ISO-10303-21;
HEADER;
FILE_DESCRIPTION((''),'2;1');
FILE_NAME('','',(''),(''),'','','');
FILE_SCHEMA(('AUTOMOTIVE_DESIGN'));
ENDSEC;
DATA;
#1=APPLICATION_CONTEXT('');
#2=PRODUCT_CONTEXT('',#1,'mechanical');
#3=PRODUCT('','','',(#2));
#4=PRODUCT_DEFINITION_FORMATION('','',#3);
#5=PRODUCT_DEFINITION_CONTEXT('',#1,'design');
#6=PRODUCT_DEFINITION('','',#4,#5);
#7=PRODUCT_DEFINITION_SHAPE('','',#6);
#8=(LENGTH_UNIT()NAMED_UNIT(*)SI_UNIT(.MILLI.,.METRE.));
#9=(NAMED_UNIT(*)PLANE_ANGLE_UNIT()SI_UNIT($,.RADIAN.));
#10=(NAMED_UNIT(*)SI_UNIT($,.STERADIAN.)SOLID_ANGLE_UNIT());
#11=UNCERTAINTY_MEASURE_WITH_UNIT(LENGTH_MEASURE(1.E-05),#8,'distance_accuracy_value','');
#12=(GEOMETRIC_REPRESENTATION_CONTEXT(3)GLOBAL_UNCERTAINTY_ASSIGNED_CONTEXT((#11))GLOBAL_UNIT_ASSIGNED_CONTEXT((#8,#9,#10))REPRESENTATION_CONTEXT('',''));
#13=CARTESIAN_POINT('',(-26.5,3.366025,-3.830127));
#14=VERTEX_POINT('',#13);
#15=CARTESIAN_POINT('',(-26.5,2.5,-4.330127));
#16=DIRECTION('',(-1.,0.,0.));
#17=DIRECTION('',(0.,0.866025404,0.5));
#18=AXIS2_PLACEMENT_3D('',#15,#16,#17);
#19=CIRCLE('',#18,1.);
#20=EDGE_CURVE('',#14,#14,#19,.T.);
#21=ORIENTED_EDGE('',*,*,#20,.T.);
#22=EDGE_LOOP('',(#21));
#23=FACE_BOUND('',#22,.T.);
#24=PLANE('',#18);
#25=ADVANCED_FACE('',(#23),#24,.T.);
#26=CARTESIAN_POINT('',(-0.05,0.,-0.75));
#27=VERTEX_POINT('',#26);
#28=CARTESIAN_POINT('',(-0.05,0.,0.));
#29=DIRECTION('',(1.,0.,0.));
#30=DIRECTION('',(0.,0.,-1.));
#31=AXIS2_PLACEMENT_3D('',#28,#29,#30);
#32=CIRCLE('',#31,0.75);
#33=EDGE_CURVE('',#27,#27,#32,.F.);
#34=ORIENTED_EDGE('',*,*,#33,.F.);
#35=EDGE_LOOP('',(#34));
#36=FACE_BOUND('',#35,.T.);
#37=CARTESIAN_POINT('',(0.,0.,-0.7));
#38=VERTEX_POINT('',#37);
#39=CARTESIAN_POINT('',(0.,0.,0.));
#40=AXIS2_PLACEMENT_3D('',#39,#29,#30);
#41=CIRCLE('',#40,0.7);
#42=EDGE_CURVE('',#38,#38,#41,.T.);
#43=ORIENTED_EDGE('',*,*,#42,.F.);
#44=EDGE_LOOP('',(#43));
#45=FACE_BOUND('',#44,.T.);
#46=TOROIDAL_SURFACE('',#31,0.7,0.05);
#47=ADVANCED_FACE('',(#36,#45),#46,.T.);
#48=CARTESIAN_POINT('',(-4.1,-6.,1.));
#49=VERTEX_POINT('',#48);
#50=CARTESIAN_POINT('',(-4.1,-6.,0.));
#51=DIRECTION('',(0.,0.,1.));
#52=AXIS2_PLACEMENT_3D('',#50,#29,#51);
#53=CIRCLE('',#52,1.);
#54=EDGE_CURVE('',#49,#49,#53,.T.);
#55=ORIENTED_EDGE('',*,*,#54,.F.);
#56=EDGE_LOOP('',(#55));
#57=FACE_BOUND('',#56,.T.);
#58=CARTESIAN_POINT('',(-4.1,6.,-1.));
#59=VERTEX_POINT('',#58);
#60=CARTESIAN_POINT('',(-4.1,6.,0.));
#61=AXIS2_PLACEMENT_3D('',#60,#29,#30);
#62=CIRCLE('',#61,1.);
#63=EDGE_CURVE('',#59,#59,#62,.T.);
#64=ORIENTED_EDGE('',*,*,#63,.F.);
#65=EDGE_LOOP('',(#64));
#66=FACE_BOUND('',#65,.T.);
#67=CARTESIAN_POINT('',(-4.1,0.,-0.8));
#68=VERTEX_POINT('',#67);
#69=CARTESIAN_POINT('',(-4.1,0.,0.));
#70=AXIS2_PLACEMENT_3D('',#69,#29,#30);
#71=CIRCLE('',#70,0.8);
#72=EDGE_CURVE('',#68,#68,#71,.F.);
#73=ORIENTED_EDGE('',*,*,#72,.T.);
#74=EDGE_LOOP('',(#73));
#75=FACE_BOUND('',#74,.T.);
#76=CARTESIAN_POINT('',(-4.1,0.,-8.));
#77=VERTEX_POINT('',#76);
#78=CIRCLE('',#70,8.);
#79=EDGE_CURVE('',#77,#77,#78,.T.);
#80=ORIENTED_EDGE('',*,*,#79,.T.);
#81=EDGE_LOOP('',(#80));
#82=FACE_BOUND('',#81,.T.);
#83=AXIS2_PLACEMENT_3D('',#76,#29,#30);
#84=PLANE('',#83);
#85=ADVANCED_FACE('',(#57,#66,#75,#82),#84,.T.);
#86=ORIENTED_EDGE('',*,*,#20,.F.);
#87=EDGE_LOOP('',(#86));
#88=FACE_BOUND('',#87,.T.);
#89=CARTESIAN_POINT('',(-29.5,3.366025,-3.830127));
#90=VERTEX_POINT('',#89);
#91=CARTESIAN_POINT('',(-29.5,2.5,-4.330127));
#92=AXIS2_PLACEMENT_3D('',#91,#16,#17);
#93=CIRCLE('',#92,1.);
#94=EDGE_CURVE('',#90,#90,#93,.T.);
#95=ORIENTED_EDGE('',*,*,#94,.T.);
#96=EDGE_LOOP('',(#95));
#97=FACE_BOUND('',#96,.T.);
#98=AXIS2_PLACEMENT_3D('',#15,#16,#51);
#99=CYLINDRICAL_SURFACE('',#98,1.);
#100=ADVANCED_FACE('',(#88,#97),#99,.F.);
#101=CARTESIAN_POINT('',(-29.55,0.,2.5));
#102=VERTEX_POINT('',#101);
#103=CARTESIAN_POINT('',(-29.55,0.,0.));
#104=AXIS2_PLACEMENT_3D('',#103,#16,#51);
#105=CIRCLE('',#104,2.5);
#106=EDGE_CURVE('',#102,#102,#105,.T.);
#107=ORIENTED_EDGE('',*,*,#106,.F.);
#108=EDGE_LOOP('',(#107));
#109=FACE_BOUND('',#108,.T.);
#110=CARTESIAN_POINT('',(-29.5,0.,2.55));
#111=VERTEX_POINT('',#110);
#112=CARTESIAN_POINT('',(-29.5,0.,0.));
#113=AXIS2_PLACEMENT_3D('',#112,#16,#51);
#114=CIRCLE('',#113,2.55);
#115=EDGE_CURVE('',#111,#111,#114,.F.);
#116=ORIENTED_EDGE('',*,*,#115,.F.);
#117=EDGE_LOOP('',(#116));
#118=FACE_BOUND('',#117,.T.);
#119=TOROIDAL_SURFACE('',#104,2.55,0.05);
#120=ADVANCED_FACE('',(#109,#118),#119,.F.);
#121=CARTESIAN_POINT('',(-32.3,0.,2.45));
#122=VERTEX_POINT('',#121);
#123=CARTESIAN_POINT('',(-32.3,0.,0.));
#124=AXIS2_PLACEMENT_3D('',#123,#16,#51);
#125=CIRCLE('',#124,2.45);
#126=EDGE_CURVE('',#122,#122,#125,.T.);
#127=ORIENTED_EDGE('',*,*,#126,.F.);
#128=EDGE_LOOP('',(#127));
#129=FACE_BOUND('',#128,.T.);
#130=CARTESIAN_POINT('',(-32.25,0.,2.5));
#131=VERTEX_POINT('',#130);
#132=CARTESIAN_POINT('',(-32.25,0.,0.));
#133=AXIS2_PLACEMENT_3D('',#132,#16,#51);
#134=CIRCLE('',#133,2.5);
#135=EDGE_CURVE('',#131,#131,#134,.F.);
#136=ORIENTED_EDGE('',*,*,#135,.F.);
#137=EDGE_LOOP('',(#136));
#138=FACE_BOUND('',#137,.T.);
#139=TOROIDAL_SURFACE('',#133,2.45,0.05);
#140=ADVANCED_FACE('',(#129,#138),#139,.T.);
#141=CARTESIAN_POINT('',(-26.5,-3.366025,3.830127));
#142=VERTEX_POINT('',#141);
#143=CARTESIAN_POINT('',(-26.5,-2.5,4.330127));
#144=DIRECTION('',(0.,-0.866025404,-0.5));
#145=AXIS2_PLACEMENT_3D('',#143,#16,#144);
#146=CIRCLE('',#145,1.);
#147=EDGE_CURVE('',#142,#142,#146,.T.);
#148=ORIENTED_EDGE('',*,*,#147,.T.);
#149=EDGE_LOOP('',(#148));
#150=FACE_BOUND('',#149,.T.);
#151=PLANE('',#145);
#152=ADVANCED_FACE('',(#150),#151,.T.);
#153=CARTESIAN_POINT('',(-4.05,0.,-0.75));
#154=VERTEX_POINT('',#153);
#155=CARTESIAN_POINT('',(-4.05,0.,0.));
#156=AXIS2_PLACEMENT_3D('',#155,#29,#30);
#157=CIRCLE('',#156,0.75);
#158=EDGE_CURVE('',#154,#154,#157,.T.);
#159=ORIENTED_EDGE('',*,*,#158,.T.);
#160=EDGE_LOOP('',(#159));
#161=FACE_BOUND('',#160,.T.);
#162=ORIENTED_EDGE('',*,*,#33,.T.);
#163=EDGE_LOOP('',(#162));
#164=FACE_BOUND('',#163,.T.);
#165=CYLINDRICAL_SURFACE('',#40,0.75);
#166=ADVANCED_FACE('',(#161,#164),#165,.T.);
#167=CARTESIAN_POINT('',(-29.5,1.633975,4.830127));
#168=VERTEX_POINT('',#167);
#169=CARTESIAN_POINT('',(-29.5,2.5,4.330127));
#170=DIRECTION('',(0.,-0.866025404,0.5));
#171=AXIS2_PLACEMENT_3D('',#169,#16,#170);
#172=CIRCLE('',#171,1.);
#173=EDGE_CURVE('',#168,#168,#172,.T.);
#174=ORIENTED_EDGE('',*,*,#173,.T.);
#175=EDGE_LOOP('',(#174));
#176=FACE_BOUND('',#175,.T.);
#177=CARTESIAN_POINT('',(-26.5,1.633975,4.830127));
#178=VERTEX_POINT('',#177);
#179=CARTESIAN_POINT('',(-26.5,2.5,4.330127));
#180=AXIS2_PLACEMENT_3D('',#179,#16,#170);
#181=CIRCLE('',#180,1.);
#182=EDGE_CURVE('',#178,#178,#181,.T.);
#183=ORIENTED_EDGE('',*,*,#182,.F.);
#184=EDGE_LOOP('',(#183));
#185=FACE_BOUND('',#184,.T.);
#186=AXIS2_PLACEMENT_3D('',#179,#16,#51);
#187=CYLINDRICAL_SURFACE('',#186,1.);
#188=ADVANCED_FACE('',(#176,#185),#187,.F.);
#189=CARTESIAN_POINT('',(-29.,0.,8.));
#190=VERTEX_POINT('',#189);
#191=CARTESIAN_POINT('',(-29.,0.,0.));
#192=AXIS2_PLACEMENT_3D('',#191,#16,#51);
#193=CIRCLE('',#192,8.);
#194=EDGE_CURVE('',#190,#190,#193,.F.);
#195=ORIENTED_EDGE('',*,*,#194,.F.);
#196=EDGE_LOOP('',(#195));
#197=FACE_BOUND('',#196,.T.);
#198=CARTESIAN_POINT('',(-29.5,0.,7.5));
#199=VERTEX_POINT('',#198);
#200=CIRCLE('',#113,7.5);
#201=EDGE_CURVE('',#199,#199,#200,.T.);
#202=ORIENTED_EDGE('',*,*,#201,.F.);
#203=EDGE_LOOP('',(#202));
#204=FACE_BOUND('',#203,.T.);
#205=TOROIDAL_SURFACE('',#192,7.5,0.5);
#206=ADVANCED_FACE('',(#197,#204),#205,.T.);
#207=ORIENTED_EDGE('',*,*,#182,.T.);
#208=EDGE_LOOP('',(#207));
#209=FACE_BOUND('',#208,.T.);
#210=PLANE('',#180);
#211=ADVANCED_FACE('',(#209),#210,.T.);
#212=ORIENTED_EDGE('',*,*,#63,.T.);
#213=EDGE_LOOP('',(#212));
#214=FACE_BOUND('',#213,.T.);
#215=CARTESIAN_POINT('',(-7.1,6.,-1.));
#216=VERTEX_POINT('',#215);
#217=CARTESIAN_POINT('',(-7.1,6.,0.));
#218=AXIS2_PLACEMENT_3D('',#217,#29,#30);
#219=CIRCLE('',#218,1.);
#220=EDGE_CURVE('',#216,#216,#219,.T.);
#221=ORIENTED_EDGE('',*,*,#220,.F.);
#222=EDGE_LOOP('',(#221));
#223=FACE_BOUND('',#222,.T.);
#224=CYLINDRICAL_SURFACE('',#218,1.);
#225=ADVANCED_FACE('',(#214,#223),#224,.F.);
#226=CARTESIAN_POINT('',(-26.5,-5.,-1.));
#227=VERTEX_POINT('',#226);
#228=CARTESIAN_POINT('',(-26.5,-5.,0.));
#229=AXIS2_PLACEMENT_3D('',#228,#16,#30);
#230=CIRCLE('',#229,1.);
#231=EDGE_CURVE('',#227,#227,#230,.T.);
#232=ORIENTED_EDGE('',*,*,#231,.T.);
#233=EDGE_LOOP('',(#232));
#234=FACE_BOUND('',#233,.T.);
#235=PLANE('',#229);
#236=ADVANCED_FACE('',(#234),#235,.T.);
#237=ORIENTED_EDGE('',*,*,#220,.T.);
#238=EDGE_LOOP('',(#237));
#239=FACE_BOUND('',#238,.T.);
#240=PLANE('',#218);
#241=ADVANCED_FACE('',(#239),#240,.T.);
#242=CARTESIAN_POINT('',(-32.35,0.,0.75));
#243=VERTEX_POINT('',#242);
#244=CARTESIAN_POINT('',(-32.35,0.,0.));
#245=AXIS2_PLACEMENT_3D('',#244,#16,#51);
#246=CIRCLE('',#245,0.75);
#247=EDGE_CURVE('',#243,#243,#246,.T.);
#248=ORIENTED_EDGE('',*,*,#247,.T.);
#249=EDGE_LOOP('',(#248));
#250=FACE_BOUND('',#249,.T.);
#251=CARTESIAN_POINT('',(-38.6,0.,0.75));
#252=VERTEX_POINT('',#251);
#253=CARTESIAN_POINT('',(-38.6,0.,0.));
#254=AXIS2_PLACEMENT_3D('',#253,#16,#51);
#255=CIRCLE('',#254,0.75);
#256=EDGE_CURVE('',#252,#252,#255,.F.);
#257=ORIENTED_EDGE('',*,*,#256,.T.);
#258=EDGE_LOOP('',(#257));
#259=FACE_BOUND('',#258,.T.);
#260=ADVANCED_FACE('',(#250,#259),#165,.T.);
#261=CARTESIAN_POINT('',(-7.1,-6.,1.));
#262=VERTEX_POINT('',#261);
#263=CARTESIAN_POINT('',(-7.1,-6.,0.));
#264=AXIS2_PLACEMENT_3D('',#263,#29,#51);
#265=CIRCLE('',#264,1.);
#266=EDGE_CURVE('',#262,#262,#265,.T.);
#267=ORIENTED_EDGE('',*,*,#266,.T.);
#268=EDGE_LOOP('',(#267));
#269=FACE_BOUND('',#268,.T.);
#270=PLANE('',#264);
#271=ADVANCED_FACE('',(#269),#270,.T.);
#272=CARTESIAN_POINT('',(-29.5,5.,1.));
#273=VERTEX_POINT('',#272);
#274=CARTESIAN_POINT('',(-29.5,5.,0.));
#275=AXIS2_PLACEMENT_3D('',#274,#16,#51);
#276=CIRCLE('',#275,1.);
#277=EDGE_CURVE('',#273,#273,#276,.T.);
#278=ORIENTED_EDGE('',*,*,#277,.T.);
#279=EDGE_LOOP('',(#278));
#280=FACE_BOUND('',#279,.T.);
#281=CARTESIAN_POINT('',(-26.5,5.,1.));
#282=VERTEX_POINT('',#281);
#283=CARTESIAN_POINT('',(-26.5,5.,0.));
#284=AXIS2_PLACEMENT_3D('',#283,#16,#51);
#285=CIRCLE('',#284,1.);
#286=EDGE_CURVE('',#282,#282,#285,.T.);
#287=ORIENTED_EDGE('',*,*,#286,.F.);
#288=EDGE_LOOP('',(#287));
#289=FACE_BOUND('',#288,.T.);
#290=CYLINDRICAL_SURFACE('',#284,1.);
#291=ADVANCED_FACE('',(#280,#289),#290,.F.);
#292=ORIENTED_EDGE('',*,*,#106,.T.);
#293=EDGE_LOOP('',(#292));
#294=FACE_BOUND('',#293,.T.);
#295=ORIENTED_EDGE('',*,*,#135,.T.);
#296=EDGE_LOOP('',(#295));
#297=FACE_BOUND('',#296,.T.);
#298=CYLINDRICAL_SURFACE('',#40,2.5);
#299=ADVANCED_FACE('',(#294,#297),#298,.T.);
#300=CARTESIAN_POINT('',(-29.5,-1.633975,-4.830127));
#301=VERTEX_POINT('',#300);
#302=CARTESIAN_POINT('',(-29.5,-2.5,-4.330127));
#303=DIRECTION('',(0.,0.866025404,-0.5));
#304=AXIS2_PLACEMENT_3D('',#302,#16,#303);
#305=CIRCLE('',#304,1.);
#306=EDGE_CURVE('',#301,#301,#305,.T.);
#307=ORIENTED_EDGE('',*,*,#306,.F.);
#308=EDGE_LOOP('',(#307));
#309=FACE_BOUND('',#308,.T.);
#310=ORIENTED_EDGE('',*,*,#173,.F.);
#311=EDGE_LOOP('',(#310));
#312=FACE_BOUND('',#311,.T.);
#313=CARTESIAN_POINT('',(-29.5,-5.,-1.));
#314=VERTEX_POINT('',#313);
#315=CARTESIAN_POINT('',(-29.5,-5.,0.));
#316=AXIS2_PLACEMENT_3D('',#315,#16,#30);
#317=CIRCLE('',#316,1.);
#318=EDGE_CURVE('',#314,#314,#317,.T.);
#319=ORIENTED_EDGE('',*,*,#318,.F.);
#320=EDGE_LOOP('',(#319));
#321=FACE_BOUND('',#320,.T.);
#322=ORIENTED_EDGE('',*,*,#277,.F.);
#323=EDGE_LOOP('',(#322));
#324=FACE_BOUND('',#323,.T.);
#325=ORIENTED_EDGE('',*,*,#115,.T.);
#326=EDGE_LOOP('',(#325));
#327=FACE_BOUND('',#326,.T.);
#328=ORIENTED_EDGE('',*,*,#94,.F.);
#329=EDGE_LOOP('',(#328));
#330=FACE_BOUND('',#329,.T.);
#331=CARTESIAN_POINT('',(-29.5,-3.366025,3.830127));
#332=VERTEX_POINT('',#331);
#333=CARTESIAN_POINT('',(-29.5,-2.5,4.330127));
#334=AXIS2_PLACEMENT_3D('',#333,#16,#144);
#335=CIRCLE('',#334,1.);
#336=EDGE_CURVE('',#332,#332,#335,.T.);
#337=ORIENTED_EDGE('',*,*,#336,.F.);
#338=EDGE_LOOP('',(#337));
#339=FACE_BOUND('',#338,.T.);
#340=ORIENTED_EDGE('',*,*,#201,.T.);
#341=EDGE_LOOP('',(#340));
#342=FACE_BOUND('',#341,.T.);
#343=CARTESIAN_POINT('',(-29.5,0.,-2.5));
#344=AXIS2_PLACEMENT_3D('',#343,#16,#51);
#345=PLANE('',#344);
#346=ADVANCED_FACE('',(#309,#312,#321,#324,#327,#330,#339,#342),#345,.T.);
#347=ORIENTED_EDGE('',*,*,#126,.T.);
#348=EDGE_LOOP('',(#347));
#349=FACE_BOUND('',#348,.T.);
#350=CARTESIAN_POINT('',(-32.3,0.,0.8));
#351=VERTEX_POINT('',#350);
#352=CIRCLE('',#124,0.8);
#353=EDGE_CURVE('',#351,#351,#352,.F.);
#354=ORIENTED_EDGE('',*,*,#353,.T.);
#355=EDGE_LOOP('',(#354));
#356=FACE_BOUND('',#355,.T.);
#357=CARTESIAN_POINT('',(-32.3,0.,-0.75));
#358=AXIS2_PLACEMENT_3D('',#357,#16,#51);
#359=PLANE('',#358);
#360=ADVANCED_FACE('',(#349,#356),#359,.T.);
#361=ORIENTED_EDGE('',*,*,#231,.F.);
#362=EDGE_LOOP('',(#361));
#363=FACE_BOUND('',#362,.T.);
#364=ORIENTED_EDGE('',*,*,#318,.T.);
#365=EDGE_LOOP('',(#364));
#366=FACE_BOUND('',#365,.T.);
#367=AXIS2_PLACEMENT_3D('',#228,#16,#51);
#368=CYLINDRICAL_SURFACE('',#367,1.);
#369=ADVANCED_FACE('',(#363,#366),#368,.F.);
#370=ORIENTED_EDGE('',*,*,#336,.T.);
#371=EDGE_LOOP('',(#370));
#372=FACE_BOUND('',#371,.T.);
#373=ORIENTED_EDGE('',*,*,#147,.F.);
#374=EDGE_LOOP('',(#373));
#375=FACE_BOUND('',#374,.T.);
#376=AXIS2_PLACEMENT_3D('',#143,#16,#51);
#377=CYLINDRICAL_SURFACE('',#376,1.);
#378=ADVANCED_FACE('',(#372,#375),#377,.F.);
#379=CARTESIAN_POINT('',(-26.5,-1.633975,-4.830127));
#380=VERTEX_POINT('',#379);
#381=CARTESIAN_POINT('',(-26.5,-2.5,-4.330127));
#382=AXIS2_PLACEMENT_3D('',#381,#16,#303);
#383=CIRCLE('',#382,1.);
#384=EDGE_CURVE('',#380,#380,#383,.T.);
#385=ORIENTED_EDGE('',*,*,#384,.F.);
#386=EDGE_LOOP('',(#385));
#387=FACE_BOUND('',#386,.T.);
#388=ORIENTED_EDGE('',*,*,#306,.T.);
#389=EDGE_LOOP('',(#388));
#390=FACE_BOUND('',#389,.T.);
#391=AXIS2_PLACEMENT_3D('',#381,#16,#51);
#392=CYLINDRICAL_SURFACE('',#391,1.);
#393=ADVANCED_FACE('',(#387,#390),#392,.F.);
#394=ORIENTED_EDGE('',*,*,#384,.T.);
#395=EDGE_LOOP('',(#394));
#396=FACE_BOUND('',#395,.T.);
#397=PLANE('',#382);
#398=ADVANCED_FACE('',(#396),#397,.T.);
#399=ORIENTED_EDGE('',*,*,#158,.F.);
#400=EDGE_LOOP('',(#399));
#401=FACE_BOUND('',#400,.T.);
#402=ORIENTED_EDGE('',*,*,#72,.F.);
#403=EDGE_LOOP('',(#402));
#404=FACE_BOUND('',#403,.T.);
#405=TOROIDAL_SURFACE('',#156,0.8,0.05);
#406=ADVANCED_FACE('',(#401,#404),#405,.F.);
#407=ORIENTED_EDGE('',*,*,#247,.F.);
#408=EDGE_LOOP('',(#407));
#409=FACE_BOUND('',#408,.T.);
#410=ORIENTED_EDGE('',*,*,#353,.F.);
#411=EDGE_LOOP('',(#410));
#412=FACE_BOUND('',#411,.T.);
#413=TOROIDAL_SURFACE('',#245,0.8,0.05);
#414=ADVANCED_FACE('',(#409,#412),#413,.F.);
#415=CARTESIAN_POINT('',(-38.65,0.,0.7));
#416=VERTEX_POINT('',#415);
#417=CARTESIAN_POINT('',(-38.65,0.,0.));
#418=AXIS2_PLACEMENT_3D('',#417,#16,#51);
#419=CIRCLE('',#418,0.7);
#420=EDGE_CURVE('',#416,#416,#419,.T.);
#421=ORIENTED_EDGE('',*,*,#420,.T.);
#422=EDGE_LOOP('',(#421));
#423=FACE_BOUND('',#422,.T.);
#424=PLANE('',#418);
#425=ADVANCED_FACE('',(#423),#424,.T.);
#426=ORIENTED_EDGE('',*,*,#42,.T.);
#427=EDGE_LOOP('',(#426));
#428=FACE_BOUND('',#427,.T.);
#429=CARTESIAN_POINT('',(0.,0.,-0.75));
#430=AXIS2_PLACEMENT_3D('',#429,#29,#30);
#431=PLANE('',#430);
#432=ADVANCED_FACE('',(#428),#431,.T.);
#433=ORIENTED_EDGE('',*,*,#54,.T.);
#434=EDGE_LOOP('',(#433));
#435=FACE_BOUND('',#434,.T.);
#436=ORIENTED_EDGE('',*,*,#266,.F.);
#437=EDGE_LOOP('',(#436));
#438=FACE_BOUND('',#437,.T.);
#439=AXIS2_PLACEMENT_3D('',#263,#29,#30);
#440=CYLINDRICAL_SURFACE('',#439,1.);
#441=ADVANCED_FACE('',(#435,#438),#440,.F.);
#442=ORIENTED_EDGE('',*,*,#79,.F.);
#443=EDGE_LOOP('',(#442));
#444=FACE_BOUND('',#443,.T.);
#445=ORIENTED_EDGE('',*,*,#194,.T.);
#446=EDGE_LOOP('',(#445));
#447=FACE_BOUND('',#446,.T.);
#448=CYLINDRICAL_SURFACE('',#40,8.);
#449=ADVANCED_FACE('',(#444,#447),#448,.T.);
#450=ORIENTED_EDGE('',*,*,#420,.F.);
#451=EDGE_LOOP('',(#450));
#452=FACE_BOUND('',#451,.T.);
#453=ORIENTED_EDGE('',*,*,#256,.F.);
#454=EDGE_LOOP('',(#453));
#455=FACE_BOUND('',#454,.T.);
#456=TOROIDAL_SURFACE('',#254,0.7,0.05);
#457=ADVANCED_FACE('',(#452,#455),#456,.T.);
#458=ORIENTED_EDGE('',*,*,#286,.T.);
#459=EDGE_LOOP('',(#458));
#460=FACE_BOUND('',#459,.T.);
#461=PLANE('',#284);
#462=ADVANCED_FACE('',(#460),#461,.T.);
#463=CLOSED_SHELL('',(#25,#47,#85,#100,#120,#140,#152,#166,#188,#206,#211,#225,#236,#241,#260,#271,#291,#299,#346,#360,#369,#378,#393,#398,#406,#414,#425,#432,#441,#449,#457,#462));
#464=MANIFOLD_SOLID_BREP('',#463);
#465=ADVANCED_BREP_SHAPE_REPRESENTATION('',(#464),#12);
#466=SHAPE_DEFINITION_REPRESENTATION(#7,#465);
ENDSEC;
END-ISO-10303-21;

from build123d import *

# Parameters (mm, degrees)
SKETCH2_R          = 1
CUT_EXTRUDE2_DEPTH = 3
CIRPATTERN1_COUNT  = 6
FILLET2_R          = 0.5
FILLET3_R          = 0.05
SKETCH3_R          = 1
CUT_EXTRUDE3_DEPTH = 3
CIRPATTERN2_COUNT  = 2


with BuildPart() as part:
    # Sketch1 → Revolve1 (revolve)
    with BuildSketch(Plane(origin=(0, 0, 0), x_dir=(1, 0, 0), z_dir=(0, 1, 0))):
        Polygon((0, 0), (-38.65, 0), (-38.65, 0.75), (-32.3, 0.75), (-32.3, 2.5), (-29.5, 2.5), (-29.5, 8), (-4.1, 8), (-4.1, 0.75), (0, 0.75), align=None)
    revolve(axis=Axis((0, 0, 0), (-1, 0, 0)))

    # Sketch2 → Cut-Extrude2 (cut)
    with BuildSketch(Plane.ZY.offset(29.5)):
        with Locations((0, 5)):
            Circle(SKETCH2_R)
    cut_extrude2 = extrude(amount=-CUT_EXTRUDE2_DEPTH, mode=Mode.SUBTRACT)

    # CirPattern1: Cut-Extrude2 ×6 about axis
    cirpattern1_axis = Axis((0, 0, 0), (1, 0, 0))
    for i in range(1, CIRPATTERN1_COUNT):
        add(cut_extrude2.rotate(cirpattern1_axis, i * 360 / CIRPATTERN1_COUNT), mode=Mode.SUBTRACT)

    # Fillet2
    fillet2_edges = [part.edges().sort_by_distance(p)[0] for p in [
        (-29.5, 0, 8),
    ]]
    fillet(fillet2_edges, radius=FILLET2_R)

    # Fillet3
    fillet3_edges = [part.edges().sort_by_distance(p)[0] for p in [
        (-32.3, 0, 2.5),
        (-32.3, 0, 0.75),
        (-38.65, 0, 0.75),
        (0, 0, 0.75),
        (-4.1, 0, 0.75),
        (-29.5, 0, 2.5),
    ]]
    fillet(fillet3_edges, radius=FILLET3_R)

    # Sketch3 → Cut-Extrude3 (cut)
    with BuildSketch(Plane(origin=(-4.1, 0, 0), x_dir=(0, 0, -1), z_dir=(1, 0, 0))):
        with Locations((0, 6)):
            Circle(SKETCH3_R)
    cut_extrude3 = extrude(amount=-CUT_EXTRUDE3_DEPTH, mode=Mode.SUBTRACT)

    # CirPattern2: Cut-Extrude3 ×2 about axis
    cirpattern2_axis = Axis((0, 0, 0), (1, 0, 0))
    for i in range(1, CIRPATTERN2_COUNT):
        add(cut_extrude3.rotate(cirpattern2_axis, i * 360 / CIRPATTERN2_COUNT), mode=Mode.SUBTRACT)


solid = part.part
